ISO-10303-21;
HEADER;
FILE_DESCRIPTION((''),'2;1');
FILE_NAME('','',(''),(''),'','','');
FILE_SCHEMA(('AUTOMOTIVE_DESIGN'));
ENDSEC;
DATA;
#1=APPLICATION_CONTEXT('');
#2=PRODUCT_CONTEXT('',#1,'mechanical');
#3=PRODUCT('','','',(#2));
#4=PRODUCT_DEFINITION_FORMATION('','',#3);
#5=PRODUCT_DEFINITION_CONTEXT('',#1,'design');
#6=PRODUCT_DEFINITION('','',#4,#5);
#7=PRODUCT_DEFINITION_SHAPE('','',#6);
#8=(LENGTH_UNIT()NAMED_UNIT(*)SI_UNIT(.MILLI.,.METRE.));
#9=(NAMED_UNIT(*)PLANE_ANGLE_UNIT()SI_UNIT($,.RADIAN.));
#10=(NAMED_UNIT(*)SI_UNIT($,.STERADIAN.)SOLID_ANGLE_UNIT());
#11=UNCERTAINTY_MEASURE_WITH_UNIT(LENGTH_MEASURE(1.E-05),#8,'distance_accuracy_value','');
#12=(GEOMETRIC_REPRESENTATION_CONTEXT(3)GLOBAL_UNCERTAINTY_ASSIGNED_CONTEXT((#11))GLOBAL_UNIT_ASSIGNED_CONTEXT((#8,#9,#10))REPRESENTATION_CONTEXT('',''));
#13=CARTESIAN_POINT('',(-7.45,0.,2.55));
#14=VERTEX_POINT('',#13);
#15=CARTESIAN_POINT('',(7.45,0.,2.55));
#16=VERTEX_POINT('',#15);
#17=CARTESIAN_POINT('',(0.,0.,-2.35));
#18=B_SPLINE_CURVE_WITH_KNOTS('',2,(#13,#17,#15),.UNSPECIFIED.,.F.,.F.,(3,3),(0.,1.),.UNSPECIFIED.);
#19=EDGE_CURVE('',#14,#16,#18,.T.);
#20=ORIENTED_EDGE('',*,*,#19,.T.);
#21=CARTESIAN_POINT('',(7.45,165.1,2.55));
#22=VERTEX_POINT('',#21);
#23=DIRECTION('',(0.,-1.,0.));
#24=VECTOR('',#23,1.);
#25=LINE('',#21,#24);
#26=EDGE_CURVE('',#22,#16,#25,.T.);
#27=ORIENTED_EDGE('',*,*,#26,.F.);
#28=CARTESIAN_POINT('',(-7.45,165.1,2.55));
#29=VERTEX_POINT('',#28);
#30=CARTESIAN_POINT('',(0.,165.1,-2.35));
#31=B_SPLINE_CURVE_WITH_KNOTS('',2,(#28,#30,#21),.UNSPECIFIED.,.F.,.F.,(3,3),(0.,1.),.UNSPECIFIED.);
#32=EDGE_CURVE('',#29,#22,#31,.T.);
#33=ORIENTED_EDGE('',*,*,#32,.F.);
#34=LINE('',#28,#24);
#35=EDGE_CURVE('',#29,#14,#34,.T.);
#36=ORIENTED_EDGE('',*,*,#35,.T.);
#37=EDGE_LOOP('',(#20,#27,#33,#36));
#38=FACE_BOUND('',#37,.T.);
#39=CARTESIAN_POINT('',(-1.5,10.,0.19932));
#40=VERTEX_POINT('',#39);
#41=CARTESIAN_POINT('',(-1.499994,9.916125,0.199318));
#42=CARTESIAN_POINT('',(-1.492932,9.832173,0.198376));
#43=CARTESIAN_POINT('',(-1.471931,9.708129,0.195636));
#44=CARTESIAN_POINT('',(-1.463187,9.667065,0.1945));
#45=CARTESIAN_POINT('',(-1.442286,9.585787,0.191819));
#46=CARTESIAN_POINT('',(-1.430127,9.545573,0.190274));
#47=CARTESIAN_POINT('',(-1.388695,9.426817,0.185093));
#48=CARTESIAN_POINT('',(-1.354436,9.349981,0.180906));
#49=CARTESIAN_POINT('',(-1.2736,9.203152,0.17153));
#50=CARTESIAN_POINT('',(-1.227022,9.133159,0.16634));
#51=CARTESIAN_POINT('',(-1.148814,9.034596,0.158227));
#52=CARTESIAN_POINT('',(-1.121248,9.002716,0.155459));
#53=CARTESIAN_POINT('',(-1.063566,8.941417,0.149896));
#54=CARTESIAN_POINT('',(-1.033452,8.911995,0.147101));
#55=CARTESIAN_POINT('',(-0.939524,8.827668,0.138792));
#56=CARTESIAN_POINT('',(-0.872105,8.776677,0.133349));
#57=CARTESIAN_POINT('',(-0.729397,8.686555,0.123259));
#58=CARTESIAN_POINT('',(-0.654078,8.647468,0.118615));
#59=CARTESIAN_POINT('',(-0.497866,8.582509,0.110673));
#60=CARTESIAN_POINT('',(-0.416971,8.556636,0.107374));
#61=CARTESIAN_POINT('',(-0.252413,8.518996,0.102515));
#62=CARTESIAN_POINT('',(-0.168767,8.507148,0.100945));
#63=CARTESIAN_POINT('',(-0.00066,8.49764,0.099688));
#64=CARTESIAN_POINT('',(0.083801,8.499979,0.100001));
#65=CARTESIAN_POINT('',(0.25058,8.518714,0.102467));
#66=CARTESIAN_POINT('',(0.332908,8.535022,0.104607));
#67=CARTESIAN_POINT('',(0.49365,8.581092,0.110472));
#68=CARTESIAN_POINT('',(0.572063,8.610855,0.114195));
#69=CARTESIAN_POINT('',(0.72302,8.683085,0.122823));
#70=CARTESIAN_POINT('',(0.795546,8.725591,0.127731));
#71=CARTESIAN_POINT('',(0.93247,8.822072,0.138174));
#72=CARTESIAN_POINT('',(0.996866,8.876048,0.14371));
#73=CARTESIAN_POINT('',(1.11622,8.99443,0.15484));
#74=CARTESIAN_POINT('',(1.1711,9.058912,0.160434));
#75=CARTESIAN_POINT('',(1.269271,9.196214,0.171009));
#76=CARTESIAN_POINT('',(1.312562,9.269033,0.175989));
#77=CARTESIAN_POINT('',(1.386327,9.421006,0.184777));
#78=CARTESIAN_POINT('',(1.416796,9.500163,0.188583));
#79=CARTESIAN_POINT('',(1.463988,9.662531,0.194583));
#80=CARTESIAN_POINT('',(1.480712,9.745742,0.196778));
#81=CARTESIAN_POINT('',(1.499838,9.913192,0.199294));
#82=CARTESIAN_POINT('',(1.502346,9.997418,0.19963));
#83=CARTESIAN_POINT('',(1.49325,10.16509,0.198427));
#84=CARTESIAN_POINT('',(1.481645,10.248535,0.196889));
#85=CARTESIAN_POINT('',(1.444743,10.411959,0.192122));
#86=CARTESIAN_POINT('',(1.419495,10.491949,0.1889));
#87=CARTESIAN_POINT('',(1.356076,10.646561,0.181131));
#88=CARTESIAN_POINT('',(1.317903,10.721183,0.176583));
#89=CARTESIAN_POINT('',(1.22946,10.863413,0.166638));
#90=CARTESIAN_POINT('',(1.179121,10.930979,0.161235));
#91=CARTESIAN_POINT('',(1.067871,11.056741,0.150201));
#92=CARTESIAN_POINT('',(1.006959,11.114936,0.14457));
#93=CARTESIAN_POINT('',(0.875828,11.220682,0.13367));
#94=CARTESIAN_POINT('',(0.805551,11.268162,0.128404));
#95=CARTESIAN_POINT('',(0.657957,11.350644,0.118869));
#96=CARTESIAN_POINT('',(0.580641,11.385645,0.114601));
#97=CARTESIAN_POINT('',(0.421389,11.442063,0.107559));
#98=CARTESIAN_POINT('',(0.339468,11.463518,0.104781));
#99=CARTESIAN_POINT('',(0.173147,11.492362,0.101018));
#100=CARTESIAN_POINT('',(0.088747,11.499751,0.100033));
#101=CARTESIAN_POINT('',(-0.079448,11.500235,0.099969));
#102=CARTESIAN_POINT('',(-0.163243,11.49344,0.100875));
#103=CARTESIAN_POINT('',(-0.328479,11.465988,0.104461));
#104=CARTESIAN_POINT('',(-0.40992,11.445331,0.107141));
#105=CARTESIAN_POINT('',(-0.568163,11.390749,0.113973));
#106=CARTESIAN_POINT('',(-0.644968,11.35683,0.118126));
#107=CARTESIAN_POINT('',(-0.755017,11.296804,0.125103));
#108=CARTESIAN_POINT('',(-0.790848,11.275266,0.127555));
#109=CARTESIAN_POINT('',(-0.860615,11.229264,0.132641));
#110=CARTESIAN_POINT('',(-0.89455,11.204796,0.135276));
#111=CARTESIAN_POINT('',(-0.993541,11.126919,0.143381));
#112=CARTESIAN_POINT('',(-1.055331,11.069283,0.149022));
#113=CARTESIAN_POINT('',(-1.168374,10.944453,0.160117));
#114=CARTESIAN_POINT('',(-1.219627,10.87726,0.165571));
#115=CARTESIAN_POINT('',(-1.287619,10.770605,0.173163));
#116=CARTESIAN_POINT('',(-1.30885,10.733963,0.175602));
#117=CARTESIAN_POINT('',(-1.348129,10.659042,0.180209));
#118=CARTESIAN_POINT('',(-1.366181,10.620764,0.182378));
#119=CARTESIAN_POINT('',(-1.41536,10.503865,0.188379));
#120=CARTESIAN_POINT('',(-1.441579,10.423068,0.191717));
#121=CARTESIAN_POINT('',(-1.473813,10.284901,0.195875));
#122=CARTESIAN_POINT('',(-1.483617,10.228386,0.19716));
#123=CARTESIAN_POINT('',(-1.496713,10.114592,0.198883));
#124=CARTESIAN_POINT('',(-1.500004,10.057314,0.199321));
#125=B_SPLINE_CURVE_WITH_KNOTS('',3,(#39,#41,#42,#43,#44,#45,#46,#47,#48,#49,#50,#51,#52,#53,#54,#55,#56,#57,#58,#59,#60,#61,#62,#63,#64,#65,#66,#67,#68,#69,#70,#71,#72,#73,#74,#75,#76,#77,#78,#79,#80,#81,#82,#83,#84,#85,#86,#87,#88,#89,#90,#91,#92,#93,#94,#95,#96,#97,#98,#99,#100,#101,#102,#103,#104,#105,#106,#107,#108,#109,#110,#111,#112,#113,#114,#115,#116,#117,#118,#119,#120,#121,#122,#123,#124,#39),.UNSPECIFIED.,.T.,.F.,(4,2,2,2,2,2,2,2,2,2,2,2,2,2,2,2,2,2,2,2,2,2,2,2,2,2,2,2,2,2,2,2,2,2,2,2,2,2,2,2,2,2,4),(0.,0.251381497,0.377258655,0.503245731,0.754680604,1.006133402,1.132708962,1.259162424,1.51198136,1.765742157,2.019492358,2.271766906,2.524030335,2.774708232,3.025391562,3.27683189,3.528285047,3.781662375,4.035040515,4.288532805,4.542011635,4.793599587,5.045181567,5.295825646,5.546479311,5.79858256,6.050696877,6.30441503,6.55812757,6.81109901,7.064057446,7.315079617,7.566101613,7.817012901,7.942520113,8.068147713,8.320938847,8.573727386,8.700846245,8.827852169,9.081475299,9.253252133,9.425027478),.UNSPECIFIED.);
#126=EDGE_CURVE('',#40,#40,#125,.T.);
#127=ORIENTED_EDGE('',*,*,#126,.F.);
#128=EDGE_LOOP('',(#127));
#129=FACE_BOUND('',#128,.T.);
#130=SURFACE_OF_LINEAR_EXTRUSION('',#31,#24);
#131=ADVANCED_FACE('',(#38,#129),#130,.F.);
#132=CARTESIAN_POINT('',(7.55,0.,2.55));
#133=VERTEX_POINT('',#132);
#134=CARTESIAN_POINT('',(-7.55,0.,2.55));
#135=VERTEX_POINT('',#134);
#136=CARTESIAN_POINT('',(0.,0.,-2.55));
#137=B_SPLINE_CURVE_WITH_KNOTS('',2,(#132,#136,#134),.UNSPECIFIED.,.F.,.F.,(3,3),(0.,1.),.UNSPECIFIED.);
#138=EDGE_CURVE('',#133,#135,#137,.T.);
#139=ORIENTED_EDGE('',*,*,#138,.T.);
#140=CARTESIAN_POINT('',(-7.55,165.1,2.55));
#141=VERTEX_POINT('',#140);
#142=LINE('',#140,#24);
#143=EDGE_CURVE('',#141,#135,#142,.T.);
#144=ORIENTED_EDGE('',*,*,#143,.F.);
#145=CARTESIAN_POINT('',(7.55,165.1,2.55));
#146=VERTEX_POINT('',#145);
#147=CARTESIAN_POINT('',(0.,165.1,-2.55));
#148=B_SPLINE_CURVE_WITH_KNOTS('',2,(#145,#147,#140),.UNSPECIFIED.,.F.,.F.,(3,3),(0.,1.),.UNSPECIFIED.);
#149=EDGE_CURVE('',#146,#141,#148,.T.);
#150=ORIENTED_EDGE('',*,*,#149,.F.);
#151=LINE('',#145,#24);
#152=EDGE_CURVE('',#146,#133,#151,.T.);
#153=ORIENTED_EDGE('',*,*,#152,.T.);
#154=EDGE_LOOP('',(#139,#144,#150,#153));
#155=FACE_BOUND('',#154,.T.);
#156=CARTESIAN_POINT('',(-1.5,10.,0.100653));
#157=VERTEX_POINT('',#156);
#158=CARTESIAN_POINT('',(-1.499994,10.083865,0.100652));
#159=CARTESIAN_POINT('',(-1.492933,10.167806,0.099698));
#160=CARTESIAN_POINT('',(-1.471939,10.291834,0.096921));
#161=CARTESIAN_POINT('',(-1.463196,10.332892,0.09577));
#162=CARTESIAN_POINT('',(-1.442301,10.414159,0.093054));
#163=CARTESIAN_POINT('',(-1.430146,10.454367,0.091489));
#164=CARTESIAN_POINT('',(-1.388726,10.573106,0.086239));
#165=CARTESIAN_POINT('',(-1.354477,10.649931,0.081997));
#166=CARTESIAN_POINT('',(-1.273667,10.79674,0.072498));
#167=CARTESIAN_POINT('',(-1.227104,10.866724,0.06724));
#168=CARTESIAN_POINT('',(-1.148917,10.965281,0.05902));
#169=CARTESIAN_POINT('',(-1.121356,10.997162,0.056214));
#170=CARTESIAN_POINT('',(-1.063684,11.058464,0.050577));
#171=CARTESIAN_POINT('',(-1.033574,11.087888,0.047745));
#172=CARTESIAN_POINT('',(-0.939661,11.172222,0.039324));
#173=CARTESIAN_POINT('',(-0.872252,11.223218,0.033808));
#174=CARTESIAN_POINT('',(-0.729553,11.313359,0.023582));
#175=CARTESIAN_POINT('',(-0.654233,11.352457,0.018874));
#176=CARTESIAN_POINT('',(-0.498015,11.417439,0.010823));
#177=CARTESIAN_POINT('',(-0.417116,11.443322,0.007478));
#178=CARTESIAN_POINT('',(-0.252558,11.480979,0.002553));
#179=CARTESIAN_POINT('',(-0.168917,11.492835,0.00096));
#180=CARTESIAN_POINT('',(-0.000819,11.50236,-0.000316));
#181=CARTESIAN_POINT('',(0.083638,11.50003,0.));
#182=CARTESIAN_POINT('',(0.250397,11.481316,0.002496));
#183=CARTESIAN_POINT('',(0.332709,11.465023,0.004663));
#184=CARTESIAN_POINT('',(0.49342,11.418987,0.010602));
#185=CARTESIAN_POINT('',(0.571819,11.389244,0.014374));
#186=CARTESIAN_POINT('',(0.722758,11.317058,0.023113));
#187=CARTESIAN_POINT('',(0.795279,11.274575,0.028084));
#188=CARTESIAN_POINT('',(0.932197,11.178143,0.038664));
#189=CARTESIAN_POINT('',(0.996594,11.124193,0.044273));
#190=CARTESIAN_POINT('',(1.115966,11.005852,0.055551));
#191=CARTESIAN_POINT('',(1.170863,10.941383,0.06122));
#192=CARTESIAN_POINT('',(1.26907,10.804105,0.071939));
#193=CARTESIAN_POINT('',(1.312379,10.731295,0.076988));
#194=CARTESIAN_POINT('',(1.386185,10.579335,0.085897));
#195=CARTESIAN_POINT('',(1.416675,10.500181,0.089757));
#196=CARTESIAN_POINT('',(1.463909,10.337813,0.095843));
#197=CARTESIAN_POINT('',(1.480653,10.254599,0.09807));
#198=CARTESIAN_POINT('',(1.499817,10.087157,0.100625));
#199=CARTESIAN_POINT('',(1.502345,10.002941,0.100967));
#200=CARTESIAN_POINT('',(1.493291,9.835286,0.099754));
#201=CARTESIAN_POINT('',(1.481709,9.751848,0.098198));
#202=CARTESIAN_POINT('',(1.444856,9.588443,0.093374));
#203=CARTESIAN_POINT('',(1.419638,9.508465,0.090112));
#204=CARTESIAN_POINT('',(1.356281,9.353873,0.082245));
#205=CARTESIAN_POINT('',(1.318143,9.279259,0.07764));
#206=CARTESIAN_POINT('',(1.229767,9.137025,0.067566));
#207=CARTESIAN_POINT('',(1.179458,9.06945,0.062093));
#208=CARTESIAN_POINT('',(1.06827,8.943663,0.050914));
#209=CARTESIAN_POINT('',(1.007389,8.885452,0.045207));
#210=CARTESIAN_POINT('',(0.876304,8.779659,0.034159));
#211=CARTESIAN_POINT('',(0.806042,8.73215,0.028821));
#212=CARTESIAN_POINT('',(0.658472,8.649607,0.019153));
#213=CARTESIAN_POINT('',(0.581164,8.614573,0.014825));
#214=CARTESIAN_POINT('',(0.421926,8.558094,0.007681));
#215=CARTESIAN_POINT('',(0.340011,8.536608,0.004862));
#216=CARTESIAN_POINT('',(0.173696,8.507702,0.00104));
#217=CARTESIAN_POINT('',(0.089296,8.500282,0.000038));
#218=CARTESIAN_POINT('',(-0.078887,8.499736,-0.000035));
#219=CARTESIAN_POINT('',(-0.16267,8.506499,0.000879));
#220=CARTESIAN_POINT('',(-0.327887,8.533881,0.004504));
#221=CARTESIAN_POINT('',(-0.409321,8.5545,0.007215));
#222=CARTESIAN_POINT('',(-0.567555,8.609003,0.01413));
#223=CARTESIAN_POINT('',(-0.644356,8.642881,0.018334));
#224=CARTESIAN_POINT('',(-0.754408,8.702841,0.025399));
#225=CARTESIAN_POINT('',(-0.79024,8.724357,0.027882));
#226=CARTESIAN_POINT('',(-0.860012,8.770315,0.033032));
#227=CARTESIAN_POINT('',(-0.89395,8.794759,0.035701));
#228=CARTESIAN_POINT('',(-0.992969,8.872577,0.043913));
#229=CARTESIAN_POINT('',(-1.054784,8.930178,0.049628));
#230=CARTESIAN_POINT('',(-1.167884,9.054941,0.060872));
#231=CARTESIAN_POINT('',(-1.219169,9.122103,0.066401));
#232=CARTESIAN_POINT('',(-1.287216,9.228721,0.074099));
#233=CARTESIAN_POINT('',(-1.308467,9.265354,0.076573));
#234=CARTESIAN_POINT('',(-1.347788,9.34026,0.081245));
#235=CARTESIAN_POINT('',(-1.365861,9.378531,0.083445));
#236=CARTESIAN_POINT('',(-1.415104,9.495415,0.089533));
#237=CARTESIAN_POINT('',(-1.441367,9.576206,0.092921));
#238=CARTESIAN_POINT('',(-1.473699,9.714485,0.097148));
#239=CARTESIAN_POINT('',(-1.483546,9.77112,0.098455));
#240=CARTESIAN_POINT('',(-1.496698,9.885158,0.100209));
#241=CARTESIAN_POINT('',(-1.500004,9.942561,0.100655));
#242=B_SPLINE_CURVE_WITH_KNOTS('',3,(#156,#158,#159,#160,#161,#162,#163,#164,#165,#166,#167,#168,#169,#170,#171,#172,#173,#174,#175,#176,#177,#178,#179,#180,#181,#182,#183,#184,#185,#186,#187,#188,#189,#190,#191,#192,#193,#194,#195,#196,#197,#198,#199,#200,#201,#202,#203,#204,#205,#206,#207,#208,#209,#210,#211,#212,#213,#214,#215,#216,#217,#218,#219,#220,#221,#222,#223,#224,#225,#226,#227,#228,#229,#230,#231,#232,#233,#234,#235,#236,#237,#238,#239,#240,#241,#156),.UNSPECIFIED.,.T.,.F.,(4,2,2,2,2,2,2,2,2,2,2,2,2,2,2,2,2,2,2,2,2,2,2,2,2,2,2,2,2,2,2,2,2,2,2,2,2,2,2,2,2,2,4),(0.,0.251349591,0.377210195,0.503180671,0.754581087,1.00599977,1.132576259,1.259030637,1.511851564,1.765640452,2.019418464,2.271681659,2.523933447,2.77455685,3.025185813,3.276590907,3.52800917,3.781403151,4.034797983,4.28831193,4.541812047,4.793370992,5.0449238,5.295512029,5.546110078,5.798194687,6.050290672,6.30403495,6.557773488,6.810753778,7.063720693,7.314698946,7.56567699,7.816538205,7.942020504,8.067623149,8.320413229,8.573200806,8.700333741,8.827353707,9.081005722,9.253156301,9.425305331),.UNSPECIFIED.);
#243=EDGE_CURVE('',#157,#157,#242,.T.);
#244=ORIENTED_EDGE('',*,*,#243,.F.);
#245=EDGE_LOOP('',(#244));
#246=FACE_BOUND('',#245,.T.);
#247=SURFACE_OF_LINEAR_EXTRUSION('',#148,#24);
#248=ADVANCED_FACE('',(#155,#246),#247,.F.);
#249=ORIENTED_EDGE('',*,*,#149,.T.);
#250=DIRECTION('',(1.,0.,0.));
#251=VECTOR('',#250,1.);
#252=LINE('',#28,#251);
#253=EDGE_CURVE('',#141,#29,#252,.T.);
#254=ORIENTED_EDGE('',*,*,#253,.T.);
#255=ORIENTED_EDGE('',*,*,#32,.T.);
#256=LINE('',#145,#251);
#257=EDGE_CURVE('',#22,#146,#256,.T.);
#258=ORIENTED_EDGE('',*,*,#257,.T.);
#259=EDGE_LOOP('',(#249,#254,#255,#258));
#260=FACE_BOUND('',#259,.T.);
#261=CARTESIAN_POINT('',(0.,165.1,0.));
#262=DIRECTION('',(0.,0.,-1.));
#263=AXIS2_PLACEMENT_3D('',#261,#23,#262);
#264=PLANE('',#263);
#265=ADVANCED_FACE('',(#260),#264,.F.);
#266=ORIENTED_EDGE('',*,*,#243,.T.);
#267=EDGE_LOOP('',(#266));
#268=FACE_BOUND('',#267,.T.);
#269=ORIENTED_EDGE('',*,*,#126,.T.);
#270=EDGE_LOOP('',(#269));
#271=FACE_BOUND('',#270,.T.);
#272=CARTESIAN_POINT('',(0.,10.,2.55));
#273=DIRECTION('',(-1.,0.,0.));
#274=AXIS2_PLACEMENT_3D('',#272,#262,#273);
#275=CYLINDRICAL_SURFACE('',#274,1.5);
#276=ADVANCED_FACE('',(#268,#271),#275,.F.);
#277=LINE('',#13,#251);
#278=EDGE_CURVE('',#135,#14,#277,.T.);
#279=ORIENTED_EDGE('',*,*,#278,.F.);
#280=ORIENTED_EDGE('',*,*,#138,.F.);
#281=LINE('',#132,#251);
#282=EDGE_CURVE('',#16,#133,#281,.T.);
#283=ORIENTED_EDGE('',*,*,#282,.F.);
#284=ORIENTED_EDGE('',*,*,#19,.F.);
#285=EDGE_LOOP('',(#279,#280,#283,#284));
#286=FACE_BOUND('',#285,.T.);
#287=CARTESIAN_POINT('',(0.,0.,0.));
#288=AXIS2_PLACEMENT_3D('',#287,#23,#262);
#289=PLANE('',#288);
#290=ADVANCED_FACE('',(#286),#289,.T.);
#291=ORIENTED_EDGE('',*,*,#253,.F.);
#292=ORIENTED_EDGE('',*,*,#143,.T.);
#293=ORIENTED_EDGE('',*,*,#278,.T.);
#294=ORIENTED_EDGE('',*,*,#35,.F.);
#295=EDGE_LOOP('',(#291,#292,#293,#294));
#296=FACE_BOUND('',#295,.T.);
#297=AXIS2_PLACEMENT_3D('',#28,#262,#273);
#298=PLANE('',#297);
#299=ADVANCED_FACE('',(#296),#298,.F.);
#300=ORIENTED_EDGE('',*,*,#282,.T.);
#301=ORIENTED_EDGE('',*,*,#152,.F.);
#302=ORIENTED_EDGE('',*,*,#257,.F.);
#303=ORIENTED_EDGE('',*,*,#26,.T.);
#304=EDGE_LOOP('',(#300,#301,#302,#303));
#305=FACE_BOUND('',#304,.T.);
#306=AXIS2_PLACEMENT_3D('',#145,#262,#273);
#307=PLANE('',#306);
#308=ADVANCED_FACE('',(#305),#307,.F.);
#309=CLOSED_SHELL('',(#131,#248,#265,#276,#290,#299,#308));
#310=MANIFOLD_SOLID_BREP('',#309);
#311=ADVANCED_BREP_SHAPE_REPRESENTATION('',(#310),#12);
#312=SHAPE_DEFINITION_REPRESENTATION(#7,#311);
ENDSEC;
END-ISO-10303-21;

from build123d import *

# Parameters (mm, degrees)
BOSS_EXTRUDE1_DEPTH = 165.1
SKETCH2_R           = 1.5
CUT_EXTRUDE1_DEPTH  = 3.5500001


with BuildPart() as part:
    # Sketch1 → Boss-Extrude1 (new body)
    with BuildSketch(Plane(origin=(0, 0, 0), x_dir=(1, 0, 0), z_dir=(0, 1, 0))):
        with BuildLine():
            Line((7.55, -2.55), (7.45, -2.55))
            add(Edge.make_bspline(
                [(-7.45, -2.55), (0, 2.35), (7.45, -2.55)],
                knots=[0, 0, 0, 1, 1, 1], degree=2))
            Line((-7.45, -2.55), (-7.55, -2.55))
            add(Edge.make_bspline(
                [(7.55, -2.55), (0, 2.55), (-7.55, -2.55)],
                knots=[0, 0, 0, 1, 1, 1], degree=2))
        make_face()
    extrude(amount=BOSS_EXTRUDE1_DEPTH)

    # Sketch2 → Cut-Extrude1 (cut, through all)
    with BuildSketch(Plane.XY):
        with Locations((0, 10)):
            Circle(SKETCH2_R)
    extrude(amount=CUT_EXTRUDE1_DEPTH, mode=Mode.SUBTRACT)


solid = part.part
